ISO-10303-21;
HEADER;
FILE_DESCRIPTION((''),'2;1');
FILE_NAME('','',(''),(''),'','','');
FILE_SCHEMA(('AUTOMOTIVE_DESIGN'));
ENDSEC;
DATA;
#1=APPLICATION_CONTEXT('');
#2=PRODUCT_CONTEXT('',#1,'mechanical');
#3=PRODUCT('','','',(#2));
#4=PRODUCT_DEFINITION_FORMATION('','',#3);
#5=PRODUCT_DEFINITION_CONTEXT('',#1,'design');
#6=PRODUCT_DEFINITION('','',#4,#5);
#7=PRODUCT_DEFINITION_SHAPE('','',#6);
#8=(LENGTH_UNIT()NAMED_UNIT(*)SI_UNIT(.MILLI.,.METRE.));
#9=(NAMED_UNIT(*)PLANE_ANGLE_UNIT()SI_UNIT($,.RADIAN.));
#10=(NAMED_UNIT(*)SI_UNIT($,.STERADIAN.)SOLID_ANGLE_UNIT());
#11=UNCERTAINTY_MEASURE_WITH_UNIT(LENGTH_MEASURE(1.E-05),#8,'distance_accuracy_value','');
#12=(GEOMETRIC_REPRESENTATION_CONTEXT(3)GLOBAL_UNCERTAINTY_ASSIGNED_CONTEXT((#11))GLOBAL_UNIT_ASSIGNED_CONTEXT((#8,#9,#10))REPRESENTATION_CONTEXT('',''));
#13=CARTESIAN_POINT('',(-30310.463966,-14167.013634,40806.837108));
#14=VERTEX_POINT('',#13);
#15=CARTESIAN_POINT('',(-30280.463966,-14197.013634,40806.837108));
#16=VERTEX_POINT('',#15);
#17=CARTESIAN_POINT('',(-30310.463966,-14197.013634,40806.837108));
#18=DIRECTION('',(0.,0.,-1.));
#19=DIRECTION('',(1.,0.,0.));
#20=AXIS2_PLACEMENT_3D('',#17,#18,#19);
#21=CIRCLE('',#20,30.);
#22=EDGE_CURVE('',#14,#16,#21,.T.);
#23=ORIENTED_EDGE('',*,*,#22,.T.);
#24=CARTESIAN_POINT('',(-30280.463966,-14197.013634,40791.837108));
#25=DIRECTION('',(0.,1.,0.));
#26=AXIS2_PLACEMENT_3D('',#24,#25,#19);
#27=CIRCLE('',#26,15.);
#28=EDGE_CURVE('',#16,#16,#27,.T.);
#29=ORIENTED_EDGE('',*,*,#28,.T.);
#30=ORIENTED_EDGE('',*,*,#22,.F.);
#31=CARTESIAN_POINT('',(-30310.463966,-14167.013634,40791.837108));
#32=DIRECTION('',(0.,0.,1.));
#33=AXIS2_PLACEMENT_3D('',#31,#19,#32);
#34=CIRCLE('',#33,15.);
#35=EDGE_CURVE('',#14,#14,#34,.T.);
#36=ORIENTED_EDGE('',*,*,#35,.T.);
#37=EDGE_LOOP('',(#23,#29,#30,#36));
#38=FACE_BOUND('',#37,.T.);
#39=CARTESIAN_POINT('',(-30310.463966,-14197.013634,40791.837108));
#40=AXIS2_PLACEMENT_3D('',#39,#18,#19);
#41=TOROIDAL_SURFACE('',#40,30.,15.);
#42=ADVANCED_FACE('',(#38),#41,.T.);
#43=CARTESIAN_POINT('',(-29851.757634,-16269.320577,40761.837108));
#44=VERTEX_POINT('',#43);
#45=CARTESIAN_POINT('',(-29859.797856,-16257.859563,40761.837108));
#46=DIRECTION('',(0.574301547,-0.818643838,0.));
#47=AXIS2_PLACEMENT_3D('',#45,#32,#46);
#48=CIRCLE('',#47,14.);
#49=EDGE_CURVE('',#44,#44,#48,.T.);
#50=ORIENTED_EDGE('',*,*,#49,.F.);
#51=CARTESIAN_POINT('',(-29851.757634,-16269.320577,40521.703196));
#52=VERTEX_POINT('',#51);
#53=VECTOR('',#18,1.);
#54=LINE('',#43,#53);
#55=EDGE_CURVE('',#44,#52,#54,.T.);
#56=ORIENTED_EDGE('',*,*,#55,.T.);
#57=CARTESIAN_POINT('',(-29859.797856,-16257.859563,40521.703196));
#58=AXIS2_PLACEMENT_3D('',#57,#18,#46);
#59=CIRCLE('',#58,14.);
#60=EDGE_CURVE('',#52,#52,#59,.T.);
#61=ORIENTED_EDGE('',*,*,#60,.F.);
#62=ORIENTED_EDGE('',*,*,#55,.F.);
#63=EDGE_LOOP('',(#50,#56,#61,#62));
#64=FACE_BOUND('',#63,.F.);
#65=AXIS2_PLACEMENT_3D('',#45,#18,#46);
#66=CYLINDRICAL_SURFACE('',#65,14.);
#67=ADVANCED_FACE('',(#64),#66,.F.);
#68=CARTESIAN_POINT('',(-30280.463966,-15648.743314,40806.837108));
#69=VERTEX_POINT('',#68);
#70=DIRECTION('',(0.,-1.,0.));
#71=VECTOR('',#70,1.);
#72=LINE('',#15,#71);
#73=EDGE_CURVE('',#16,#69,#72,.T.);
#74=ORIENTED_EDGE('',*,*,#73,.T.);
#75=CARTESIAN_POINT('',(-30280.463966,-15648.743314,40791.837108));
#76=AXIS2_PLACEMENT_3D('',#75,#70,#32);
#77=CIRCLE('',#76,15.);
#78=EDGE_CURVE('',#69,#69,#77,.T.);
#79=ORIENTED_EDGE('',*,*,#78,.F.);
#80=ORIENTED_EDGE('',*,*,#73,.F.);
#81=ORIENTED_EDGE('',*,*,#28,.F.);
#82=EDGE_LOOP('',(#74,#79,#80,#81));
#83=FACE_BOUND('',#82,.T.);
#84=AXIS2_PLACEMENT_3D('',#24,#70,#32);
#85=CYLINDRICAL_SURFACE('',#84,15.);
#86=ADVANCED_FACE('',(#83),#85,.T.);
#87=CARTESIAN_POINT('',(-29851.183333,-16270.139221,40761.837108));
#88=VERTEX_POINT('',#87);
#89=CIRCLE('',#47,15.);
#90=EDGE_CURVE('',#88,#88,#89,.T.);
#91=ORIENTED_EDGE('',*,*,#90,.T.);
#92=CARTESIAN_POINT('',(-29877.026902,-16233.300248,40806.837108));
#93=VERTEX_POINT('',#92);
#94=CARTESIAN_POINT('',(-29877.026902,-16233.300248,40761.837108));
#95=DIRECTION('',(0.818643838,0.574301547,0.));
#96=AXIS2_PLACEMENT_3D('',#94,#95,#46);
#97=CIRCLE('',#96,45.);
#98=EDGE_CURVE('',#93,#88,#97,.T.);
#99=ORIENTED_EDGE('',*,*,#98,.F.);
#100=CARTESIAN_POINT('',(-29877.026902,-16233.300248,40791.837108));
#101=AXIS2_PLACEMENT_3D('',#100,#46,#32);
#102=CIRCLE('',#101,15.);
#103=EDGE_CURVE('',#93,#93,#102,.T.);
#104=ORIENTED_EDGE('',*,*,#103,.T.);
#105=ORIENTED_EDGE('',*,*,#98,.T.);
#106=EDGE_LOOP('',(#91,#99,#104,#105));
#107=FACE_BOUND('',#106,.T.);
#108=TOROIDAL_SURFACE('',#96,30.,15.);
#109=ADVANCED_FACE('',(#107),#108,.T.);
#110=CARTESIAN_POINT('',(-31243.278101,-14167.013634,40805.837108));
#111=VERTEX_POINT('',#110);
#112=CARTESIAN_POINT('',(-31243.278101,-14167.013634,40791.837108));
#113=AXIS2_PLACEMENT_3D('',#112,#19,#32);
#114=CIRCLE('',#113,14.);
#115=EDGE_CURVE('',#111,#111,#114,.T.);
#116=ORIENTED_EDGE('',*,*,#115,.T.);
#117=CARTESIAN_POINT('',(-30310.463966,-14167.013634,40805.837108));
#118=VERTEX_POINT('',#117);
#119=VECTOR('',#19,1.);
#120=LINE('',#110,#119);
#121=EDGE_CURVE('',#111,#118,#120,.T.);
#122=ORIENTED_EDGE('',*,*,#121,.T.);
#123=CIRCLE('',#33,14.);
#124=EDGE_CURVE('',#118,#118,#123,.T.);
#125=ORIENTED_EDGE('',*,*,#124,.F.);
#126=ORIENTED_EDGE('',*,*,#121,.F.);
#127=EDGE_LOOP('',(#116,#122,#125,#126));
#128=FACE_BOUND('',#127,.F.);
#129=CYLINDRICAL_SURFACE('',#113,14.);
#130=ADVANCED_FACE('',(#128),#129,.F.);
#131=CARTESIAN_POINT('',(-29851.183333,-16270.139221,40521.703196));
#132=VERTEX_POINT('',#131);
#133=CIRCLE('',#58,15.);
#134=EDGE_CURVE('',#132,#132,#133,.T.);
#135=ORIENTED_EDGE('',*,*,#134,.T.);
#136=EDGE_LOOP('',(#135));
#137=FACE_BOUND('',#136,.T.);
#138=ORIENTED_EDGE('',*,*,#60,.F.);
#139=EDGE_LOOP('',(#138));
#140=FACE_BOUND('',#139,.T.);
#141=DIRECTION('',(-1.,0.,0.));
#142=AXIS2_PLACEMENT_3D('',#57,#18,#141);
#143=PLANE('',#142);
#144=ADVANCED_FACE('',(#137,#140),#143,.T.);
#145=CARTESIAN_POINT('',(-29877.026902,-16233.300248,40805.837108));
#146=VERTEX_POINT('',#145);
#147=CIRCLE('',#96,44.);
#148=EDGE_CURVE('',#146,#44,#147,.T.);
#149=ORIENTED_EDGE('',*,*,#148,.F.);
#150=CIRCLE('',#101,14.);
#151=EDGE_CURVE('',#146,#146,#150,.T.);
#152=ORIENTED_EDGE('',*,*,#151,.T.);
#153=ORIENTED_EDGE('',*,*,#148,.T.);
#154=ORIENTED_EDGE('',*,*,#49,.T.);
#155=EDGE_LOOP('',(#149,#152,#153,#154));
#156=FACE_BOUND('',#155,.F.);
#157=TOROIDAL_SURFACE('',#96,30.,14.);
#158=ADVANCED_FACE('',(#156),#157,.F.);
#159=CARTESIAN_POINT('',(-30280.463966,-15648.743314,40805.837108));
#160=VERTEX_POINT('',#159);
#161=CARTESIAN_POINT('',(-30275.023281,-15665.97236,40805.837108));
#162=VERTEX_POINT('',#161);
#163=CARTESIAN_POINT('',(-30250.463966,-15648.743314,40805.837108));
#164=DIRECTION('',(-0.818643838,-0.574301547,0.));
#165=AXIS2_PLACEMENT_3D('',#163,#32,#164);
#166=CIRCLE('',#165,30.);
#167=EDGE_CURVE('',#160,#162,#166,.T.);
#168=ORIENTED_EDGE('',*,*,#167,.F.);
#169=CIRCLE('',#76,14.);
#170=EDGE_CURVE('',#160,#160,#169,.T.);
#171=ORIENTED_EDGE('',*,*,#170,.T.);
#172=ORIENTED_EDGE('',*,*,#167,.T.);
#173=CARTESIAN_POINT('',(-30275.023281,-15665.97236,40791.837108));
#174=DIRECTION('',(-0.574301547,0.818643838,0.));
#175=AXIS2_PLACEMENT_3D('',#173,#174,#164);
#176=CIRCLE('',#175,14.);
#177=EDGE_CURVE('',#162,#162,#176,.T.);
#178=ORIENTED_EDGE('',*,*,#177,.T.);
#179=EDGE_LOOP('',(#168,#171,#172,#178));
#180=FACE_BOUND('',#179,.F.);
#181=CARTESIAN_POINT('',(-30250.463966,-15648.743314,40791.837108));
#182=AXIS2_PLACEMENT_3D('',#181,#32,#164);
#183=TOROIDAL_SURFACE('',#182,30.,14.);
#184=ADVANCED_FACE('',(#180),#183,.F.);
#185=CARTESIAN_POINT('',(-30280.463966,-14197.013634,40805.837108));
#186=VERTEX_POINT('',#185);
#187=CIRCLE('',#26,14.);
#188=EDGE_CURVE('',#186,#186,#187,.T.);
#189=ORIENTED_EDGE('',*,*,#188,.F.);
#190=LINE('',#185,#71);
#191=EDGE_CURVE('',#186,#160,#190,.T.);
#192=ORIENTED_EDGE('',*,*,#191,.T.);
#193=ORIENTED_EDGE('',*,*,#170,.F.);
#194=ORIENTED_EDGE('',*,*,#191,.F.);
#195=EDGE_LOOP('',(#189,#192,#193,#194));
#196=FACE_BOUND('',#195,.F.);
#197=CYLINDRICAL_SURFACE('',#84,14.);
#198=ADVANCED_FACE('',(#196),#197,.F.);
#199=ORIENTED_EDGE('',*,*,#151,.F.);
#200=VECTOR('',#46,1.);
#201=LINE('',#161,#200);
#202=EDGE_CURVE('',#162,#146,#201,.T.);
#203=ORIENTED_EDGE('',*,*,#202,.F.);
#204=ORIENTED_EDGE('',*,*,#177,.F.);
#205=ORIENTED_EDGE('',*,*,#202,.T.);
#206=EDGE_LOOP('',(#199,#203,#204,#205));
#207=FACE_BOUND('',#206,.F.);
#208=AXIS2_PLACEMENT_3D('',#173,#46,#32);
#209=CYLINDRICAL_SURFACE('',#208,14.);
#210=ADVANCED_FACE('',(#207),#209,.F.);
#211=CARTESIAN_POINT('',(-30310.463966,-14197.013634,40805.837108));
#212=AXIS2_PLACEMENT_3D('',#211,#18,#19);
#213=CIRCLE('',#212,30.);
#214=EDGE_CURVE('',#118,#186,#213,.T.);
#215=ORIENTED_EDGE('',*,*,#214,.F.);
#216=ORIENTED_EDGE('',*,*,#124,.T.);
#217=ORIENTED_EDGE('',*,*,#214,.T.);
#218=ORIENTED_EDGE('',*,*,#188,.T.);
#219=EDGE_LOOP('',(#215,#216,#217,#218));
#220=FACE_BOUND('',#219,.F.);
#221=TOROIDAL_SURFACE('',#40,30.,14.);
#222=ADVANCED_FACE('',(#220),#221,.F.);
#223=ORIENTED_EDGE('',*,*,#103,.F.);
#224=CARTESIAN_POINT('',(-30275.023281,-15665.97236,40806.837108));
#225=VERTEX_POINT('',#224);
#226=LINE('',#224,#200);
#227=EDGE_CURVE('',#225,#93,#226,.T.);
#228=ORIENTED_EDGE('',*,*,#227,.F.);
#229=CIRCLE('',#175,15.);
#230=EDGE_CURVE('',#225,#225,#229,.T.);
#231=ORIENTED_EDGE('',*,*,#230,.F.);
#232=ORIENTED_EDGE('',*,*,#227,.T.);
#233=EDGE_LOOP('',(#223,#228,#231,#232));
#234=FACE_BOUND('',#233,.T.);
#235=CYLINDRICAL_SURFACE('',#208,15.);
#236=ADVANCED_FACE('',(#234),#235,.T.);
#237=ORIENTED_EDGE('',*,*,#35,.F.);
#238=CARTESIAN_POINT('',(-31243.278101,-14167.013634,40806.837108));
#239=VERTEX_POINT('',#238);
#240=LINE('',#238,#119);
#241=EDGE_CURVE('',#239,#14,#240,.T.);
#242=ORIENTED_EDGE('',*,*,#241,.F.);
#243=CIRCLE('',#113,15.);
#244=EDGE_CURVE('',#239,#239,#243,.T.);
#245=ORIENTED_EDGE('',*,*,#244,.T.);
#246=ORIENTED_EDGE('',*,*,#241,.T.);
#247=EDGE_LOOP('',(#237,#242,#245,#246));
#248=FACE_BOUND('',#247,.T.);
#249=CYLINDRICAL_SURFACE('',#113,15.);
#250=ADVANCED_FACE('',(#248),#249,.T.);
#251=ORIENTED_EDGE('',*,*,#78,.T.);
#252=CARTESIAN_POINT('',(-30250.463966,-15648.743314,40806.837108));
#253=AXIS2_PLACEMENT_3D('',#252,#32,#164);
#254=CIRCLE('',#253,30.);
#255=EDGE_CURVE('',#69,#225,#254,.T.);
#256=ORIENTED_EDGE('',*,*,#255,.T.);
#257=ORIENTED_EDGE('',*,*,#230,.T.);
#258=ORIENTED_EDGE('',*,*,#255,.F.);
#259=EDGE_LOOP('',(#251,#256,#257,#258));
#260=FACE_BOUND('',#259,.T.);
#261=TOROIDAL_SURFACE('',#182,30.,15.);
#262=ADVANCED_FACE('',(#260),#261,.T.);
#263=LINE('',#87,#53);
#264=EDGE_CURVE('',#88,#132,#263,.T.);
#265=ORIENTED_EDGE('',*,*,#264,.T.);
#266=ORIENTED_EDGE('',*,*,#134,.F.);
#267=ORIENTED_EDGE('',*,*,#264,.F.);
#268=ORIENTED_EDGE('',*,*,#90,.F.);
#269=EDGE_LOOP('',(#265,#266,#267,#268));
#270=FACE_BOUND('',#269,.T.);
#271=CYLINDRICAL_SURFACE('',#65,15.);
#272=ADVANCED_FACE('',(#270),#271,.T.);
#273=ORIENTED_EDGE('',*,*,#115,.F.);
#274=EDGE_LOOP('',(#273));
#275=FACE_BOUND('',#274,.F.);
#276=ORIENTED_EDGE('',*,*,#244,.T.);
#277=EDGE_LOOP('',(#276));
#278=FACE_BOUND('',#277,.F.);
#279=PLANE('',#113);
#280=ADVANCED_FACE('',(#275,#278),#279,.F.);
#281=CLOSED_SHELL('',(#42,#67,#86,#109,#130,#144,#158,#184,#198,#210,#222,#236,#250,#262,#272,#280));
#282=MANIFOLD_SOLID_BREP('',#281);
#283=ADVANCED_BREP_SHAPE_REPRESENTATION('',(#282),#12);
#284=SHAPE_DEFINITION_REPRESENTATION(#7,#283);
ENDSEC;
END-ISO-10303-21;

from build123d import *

# Parameters (mm, degrees)
SWEEP_THIN1_PROFILE_R   = 15
SWEEP_THIN1_PROFILE_R_2 = 14


with BuildPart() as part:
    # Sweep-Thin1: sweep along a curve in space
    with BuildLine() as sweep_thin1_path:
        Line((-31243.278100508, -14167.013633935, 40791.837107648), (-30310.46396617, -14167.013633935, 40791.837107648))
        ThreePointArc((-30280.46396617, -14197.013633935, 40791.837107648), (-30289.250762735, -14175.800430499, 40791.837107648), (-30310.46396617, -14167.013633935, 40791.837107648))
        Line((-30280.46396617, -14197.013633935, 40791.837107648), (-30280.46396617, -15648.743313868, 40791.837107648))
        ThreePointArc((-30275.023281313, -15665.972360264, 40791.837107648), (-30279.071477896, -15657.777154295, 40791.837107648), (-30280.46396617, -15648.743313868, 40791.837107648))
        Line((-30275.023281313, -15665.972360264, 40791.837107648), (-29877.026902122, -16233.300248153, 40791.837107648))
        ThreePointArc((-29859.797855726, -16257.859563295, 40761.837107648), (-29864.844126582, -16250.666306431, 40783.050311084), (-29877.026902122, -16233.300248153, 40791.837107648))
        Line((-29859.797855726, -16257.859563295, 40761.837107648), (-29859.797855726, -16257.859563295, 40521.703196056))
    # Sweep-Thin1 profile (on start of the path) → Sweep-Thin1 (sweep)
    with BuildSketch(Plane(origin=(-31243.278100508, -14167.013633935, 40791.837107648), x_dir=(0, 0, 1), z_dir=(1, 0, 0))):
        Circle(SWEEP_THIN1_PROFILE_R)
        Circle(SWEEP_THIN1_PROFILE_R_2, mode=Mode.SUBTRACT)
    sweep(path=sweep_thin1_path.line)


solid = part.part
